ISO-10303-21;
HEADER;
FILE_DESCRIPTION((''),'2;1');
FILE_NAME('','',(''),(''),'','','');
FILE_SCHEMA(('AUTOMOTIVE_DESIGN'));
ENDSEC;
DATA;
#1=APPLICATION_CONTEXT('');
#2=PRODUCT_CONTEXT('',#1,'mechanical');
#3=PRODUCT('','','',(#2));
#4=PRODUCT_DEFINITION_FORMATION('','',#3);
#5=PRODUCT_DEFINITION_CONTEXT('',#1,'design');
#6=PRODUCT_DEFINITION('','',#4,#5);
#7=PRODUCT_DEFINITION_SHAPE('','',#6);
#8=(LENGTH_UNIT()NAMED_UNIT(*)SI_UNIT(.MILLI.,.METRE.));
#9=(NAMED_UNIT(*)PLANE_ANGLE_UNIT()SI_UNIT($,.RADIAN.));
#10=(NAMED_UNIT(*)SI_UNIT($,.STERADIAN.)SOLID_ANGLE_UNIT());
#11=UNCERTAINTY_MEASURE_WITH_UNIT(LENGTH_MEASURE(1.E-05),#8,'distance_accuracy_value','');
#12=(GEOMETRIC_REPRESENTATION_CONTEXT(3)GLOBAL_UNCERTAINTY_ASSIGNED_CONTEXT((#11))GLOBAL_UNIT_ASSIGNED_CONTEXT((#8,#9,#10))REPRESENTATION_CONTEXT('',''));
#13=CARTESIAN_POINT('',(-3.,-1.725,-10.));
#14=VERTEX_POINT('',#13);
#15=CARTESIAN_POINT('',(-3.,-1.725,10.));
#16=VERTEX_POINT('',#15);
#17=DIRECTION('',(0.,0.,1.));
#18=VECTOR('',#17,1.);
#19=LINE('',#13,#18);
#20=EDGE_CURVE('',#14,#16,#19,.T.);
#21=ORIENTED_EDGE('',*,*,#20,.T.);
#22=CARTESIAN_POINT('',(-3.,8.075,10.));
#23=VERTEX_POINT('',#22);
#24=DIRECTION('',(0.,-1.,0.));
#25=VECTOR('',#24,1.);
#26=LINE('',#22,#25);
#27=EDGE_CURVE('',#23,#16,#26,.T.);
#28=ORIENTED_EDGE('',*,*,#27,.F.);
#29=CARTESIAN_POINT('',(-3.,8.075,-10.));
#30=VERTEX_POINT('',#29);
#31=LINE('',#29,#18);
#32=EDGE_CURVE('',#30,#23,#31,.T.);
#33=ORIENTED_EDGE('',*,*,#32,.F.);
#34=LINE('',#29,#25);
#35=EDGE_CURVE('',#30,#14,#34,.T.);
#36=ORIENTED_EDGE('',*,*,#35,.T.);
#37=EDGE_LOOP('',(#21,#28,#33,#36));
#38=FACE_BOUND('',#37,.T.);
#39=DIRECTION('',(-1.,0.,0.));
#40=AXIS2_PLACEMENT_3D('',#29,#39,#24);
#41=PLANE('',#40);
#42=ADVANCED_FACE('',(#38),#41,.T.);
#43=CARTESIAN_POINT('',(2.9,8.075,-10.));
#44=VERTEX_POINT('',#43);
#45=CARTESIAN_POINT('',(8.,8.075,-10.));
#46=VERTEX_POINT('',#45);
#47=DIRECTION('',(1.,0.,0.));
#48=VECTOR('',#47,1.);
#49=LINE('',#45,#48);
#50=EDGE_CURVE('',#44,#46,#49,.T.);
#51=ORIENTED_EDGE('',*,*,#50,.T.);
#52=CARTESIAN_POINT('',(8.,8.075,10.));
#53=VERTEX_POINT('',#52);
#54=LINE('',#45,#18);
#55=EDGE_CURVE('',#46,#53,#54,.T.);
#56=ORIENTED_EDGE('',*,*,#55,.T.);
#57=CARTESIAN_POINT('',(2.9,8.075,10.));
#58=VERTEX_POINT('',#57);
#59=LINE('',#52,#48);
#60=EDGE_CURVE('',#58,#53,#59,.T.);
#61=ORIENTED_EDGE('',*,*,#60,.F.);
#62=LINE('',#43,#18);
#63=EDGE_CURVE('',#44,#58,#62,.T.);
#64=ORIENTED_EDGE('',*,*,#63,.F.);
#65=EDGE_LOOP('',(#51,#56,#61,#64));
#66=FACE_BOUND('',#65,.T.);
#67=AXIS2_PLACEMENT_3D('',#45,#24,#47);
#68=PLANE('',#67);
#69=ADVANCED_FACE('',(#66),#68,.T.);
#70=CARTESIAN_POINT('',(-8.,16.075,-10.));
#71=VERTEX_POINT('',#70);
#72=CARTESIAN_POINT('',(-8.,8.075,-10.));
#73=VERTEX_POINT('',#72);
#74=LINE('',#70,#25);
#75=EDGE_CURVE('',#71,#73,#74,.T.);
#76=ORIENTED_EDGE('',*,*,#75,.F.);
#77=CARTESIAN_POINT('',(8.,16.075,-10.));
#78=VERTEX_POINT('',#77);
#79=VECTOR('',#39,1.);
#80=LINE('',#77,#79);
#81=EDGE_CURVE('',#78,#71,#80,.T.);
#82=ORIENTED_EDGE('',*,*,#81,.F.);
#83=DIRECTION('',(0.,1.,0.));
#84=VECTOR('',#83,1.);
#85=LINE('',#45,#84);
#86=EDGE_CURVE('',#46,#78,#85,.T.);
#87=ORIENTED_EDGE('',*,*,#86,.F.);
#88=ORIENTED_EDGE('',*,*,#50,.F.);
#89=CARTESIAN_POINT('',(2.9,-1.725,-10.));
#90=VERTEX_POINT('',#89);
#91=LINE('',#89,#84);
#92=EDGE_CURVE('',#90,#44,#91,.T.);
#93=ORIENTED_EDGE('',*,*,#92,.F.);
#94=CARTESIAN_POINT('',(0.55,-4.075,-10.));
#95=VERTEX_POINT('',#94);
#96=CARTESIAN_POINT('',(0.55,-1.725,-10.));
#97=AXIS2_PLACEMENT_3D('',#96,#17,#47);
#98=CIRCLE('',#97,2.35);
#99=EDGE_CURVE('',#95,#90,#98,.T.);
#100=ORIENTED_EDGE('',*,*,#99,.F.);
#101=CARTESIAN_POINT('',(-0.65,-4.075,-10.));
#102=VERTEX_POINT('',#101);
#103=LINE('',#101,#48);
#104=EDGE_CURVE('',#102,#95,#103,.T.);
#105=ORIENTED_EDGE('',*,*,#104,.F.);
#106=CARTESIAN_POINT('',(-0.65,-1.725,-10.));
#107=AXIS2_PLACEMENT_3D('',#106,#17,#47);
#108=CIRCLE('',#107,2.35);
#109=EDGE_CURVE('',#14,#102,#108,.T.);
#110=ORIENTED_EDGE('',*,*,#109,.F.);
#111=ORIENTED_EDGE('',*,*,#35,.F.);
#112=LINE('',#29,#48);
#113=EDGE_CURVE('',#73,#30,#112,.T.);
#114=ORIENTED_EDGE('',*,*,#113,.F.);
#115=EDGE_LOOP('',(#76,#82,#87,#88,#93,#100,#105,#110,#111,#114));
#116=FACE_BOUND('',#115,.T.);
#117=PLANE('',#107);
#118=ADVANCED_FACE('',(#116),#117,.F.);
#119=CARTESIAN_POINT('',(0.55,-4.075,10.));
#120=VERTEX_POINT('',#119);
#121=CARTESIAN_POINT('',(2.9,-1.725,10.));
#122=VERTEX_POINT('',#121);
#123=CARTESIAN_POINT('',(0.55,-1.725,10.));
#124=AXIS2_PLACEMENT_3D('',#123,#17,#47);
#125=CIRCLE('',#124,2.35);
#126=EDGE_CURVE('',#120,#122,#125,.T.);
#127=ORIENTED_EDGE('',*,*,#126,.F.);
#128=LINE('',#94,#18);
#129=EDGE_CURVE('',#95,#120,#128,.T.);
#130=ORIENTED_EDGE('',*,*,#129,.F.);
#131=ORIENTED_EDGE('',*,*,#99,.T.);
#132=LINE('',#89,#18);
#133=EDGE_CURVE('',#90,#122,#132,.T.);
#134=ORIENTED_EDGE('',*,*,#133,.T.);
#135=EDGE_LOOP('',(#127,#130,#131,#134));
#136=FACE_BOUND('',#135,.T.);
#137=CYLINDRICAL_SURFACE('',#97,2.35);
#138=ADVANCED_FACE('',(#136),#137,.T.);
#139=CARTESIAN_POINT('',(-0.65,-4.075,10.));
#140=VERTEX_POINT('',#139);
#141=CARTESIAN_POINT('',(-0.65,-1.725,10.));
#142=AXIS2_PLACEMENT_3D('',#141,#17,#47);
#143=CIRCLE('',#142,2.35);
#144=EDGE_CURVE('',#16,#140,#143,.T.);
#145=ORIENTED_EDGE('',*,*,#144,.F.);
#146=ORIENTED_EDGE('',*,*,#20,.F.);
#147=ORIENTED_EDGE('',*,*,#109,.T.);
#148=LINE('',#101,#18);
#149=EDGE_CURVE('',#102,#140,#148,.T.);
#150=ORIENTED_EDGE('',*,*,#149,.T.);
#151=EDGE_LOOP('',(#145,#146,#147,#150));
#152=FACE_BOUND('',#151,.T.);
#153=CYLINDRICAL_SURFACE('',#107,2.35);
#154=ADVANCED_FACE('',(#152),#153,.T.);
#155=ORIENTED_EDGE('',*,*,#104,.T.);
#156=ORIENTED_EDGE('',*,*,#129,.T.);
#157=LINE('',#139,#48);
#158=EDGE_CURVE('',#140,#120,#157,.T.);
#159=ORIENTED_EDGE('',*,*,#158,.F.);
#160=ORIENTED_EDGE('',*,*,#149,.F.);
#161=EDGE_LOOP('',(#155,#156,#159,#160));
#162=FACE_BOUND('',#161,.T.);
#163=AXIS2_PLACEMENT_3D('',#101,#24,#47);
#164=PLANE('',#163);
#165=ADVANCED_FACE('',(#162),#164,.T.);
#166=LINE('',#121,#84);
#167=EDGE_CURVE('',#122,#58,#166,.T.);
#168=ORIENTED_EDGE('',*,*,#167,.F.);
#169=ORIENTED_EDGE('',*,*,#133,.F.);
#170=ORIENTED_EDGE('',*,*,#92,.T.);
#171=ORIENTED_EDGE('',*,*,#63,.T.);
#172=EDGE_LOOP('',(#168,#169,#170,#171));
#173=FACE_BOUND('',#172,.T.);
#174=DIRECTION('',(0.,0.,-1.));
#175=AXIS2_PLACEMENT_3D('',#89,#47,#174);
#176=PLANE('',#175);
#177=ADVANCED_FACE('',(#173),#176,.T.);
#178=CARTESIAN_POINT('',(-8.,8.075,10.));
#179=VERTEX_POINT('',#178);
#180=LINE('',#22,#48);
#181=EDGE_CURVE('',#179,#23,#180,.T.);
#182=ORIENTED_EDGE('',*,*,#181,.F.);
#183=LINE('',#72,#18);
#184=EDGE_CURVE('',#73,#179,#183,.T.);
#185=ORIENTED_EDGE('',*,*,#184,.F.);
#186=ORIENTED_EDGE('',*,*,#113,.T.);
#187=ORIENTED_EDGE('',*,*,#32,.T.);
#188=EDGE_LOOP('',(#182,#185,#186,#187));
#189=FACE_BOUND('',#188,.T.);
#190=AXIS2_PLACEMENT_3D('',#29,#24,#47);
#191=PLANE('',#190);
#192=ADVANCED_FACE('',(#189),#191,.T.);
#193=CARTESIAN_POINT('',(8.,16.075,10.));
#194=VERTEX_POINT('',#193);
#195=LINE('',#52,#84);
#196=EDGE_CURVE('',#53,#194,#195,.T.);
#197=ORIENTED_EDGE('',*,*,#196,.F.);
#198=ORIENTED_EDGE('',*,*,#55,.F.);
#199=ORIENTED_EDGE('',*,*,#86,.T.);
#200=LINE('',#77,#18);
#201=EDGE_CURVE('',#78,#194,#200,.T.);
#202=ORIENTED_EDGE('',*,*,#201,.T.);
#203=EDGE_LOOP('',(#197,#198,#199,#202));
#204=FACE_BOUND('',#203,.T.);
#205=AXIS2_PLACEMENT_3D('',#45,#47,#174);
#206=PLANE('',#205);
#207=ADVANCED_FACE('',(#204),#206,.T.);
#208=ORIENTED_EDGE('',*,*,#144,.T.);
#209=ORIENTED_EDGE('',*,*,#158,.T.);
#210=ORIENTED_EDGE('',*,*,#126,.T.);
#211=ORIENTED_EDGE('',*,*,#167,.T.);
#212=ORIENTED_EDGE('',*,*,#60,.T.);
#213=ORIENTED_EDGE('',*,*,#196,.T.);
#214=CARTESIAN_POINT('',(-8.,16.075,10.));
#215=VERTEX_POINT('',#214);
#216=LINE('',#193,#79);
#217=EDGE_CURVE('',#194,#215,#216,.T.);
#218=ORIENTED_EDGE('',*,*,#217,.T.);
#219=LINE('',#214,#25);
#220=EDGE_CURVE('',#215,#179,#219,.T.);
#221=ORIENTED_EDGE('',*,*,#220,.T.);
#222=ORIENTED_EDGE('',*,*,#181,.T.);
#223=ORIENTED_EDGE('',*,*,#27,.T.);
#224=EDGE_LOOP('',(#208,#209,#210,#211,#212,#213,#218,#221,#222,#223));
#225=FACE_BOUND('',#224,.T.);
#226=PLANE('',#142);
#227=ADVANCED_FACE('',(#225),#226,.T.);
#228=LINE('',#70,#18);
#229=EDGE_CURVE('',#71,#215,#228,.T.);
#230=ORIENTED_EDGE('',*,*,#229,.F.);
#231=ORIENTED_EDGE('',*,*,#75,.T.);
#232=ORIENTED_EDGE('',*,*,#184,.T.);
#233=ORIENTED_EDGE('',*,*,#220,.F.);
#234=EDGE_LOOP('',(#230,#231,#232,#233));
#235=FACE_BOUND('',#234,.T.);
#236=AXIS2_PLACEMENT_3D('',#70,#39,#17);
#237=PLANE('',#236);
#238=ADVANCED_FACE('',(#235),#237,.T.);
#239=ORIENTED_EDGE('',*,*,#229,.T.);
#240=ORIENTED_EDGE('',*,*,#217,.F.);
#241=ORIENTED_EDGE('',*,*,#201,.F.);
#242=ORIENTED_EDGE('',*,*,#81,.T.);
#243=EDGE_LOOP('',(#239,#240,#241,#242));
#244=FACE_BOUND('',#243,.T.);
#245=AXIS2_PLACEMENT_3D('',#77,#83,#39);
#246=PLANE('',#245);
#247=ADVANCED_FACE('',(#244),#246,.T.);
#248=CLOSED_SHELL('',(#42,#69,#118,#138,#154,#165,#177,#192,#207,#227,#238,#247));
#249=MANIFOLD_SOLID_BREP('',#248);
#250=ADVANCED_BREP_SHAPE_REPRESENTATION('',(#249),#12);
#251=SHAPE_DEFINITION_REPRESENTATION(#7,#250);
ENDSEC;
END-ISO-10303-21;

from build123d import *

# Parameters (mm, degrees)
BOSS_EXTRUDE1_DEPTH = 10


with BuildPart() as part:
    # Sketch1 → Boss-Extrude1 (new, symmetric)
    with BuildSketch(Plane.XY):
        with BuildLine():
            Line((8, 8.075), (2.9, 8.075))
            Line((2.9, 8.075), (2.9, -1.725))
            ThreePointArc((2.9, -1.725), (2.211700936, -3.386700936), (0.55, -4.075))
            Line((0.55, -4.075), (-0.65, -4.075))
            ThreePointArc((-0.65, -4.075), (-2.311700936, -3.386700936), (-3, -1.725))
            Line((-3, -1.725), (-3, 8.075))
            Line((-3, 8.075), (-8, 8.075))
            Line((-8, 8.075), (-8, 16.075))
            Line((-8, 16.075), (8, 16.075))
            Line((8, 16.075), (8, 8.075))
        make_face()
    extrude(amount=BOSS_EXTRUDE1_DEPTH, both=True)


solid = part.part
